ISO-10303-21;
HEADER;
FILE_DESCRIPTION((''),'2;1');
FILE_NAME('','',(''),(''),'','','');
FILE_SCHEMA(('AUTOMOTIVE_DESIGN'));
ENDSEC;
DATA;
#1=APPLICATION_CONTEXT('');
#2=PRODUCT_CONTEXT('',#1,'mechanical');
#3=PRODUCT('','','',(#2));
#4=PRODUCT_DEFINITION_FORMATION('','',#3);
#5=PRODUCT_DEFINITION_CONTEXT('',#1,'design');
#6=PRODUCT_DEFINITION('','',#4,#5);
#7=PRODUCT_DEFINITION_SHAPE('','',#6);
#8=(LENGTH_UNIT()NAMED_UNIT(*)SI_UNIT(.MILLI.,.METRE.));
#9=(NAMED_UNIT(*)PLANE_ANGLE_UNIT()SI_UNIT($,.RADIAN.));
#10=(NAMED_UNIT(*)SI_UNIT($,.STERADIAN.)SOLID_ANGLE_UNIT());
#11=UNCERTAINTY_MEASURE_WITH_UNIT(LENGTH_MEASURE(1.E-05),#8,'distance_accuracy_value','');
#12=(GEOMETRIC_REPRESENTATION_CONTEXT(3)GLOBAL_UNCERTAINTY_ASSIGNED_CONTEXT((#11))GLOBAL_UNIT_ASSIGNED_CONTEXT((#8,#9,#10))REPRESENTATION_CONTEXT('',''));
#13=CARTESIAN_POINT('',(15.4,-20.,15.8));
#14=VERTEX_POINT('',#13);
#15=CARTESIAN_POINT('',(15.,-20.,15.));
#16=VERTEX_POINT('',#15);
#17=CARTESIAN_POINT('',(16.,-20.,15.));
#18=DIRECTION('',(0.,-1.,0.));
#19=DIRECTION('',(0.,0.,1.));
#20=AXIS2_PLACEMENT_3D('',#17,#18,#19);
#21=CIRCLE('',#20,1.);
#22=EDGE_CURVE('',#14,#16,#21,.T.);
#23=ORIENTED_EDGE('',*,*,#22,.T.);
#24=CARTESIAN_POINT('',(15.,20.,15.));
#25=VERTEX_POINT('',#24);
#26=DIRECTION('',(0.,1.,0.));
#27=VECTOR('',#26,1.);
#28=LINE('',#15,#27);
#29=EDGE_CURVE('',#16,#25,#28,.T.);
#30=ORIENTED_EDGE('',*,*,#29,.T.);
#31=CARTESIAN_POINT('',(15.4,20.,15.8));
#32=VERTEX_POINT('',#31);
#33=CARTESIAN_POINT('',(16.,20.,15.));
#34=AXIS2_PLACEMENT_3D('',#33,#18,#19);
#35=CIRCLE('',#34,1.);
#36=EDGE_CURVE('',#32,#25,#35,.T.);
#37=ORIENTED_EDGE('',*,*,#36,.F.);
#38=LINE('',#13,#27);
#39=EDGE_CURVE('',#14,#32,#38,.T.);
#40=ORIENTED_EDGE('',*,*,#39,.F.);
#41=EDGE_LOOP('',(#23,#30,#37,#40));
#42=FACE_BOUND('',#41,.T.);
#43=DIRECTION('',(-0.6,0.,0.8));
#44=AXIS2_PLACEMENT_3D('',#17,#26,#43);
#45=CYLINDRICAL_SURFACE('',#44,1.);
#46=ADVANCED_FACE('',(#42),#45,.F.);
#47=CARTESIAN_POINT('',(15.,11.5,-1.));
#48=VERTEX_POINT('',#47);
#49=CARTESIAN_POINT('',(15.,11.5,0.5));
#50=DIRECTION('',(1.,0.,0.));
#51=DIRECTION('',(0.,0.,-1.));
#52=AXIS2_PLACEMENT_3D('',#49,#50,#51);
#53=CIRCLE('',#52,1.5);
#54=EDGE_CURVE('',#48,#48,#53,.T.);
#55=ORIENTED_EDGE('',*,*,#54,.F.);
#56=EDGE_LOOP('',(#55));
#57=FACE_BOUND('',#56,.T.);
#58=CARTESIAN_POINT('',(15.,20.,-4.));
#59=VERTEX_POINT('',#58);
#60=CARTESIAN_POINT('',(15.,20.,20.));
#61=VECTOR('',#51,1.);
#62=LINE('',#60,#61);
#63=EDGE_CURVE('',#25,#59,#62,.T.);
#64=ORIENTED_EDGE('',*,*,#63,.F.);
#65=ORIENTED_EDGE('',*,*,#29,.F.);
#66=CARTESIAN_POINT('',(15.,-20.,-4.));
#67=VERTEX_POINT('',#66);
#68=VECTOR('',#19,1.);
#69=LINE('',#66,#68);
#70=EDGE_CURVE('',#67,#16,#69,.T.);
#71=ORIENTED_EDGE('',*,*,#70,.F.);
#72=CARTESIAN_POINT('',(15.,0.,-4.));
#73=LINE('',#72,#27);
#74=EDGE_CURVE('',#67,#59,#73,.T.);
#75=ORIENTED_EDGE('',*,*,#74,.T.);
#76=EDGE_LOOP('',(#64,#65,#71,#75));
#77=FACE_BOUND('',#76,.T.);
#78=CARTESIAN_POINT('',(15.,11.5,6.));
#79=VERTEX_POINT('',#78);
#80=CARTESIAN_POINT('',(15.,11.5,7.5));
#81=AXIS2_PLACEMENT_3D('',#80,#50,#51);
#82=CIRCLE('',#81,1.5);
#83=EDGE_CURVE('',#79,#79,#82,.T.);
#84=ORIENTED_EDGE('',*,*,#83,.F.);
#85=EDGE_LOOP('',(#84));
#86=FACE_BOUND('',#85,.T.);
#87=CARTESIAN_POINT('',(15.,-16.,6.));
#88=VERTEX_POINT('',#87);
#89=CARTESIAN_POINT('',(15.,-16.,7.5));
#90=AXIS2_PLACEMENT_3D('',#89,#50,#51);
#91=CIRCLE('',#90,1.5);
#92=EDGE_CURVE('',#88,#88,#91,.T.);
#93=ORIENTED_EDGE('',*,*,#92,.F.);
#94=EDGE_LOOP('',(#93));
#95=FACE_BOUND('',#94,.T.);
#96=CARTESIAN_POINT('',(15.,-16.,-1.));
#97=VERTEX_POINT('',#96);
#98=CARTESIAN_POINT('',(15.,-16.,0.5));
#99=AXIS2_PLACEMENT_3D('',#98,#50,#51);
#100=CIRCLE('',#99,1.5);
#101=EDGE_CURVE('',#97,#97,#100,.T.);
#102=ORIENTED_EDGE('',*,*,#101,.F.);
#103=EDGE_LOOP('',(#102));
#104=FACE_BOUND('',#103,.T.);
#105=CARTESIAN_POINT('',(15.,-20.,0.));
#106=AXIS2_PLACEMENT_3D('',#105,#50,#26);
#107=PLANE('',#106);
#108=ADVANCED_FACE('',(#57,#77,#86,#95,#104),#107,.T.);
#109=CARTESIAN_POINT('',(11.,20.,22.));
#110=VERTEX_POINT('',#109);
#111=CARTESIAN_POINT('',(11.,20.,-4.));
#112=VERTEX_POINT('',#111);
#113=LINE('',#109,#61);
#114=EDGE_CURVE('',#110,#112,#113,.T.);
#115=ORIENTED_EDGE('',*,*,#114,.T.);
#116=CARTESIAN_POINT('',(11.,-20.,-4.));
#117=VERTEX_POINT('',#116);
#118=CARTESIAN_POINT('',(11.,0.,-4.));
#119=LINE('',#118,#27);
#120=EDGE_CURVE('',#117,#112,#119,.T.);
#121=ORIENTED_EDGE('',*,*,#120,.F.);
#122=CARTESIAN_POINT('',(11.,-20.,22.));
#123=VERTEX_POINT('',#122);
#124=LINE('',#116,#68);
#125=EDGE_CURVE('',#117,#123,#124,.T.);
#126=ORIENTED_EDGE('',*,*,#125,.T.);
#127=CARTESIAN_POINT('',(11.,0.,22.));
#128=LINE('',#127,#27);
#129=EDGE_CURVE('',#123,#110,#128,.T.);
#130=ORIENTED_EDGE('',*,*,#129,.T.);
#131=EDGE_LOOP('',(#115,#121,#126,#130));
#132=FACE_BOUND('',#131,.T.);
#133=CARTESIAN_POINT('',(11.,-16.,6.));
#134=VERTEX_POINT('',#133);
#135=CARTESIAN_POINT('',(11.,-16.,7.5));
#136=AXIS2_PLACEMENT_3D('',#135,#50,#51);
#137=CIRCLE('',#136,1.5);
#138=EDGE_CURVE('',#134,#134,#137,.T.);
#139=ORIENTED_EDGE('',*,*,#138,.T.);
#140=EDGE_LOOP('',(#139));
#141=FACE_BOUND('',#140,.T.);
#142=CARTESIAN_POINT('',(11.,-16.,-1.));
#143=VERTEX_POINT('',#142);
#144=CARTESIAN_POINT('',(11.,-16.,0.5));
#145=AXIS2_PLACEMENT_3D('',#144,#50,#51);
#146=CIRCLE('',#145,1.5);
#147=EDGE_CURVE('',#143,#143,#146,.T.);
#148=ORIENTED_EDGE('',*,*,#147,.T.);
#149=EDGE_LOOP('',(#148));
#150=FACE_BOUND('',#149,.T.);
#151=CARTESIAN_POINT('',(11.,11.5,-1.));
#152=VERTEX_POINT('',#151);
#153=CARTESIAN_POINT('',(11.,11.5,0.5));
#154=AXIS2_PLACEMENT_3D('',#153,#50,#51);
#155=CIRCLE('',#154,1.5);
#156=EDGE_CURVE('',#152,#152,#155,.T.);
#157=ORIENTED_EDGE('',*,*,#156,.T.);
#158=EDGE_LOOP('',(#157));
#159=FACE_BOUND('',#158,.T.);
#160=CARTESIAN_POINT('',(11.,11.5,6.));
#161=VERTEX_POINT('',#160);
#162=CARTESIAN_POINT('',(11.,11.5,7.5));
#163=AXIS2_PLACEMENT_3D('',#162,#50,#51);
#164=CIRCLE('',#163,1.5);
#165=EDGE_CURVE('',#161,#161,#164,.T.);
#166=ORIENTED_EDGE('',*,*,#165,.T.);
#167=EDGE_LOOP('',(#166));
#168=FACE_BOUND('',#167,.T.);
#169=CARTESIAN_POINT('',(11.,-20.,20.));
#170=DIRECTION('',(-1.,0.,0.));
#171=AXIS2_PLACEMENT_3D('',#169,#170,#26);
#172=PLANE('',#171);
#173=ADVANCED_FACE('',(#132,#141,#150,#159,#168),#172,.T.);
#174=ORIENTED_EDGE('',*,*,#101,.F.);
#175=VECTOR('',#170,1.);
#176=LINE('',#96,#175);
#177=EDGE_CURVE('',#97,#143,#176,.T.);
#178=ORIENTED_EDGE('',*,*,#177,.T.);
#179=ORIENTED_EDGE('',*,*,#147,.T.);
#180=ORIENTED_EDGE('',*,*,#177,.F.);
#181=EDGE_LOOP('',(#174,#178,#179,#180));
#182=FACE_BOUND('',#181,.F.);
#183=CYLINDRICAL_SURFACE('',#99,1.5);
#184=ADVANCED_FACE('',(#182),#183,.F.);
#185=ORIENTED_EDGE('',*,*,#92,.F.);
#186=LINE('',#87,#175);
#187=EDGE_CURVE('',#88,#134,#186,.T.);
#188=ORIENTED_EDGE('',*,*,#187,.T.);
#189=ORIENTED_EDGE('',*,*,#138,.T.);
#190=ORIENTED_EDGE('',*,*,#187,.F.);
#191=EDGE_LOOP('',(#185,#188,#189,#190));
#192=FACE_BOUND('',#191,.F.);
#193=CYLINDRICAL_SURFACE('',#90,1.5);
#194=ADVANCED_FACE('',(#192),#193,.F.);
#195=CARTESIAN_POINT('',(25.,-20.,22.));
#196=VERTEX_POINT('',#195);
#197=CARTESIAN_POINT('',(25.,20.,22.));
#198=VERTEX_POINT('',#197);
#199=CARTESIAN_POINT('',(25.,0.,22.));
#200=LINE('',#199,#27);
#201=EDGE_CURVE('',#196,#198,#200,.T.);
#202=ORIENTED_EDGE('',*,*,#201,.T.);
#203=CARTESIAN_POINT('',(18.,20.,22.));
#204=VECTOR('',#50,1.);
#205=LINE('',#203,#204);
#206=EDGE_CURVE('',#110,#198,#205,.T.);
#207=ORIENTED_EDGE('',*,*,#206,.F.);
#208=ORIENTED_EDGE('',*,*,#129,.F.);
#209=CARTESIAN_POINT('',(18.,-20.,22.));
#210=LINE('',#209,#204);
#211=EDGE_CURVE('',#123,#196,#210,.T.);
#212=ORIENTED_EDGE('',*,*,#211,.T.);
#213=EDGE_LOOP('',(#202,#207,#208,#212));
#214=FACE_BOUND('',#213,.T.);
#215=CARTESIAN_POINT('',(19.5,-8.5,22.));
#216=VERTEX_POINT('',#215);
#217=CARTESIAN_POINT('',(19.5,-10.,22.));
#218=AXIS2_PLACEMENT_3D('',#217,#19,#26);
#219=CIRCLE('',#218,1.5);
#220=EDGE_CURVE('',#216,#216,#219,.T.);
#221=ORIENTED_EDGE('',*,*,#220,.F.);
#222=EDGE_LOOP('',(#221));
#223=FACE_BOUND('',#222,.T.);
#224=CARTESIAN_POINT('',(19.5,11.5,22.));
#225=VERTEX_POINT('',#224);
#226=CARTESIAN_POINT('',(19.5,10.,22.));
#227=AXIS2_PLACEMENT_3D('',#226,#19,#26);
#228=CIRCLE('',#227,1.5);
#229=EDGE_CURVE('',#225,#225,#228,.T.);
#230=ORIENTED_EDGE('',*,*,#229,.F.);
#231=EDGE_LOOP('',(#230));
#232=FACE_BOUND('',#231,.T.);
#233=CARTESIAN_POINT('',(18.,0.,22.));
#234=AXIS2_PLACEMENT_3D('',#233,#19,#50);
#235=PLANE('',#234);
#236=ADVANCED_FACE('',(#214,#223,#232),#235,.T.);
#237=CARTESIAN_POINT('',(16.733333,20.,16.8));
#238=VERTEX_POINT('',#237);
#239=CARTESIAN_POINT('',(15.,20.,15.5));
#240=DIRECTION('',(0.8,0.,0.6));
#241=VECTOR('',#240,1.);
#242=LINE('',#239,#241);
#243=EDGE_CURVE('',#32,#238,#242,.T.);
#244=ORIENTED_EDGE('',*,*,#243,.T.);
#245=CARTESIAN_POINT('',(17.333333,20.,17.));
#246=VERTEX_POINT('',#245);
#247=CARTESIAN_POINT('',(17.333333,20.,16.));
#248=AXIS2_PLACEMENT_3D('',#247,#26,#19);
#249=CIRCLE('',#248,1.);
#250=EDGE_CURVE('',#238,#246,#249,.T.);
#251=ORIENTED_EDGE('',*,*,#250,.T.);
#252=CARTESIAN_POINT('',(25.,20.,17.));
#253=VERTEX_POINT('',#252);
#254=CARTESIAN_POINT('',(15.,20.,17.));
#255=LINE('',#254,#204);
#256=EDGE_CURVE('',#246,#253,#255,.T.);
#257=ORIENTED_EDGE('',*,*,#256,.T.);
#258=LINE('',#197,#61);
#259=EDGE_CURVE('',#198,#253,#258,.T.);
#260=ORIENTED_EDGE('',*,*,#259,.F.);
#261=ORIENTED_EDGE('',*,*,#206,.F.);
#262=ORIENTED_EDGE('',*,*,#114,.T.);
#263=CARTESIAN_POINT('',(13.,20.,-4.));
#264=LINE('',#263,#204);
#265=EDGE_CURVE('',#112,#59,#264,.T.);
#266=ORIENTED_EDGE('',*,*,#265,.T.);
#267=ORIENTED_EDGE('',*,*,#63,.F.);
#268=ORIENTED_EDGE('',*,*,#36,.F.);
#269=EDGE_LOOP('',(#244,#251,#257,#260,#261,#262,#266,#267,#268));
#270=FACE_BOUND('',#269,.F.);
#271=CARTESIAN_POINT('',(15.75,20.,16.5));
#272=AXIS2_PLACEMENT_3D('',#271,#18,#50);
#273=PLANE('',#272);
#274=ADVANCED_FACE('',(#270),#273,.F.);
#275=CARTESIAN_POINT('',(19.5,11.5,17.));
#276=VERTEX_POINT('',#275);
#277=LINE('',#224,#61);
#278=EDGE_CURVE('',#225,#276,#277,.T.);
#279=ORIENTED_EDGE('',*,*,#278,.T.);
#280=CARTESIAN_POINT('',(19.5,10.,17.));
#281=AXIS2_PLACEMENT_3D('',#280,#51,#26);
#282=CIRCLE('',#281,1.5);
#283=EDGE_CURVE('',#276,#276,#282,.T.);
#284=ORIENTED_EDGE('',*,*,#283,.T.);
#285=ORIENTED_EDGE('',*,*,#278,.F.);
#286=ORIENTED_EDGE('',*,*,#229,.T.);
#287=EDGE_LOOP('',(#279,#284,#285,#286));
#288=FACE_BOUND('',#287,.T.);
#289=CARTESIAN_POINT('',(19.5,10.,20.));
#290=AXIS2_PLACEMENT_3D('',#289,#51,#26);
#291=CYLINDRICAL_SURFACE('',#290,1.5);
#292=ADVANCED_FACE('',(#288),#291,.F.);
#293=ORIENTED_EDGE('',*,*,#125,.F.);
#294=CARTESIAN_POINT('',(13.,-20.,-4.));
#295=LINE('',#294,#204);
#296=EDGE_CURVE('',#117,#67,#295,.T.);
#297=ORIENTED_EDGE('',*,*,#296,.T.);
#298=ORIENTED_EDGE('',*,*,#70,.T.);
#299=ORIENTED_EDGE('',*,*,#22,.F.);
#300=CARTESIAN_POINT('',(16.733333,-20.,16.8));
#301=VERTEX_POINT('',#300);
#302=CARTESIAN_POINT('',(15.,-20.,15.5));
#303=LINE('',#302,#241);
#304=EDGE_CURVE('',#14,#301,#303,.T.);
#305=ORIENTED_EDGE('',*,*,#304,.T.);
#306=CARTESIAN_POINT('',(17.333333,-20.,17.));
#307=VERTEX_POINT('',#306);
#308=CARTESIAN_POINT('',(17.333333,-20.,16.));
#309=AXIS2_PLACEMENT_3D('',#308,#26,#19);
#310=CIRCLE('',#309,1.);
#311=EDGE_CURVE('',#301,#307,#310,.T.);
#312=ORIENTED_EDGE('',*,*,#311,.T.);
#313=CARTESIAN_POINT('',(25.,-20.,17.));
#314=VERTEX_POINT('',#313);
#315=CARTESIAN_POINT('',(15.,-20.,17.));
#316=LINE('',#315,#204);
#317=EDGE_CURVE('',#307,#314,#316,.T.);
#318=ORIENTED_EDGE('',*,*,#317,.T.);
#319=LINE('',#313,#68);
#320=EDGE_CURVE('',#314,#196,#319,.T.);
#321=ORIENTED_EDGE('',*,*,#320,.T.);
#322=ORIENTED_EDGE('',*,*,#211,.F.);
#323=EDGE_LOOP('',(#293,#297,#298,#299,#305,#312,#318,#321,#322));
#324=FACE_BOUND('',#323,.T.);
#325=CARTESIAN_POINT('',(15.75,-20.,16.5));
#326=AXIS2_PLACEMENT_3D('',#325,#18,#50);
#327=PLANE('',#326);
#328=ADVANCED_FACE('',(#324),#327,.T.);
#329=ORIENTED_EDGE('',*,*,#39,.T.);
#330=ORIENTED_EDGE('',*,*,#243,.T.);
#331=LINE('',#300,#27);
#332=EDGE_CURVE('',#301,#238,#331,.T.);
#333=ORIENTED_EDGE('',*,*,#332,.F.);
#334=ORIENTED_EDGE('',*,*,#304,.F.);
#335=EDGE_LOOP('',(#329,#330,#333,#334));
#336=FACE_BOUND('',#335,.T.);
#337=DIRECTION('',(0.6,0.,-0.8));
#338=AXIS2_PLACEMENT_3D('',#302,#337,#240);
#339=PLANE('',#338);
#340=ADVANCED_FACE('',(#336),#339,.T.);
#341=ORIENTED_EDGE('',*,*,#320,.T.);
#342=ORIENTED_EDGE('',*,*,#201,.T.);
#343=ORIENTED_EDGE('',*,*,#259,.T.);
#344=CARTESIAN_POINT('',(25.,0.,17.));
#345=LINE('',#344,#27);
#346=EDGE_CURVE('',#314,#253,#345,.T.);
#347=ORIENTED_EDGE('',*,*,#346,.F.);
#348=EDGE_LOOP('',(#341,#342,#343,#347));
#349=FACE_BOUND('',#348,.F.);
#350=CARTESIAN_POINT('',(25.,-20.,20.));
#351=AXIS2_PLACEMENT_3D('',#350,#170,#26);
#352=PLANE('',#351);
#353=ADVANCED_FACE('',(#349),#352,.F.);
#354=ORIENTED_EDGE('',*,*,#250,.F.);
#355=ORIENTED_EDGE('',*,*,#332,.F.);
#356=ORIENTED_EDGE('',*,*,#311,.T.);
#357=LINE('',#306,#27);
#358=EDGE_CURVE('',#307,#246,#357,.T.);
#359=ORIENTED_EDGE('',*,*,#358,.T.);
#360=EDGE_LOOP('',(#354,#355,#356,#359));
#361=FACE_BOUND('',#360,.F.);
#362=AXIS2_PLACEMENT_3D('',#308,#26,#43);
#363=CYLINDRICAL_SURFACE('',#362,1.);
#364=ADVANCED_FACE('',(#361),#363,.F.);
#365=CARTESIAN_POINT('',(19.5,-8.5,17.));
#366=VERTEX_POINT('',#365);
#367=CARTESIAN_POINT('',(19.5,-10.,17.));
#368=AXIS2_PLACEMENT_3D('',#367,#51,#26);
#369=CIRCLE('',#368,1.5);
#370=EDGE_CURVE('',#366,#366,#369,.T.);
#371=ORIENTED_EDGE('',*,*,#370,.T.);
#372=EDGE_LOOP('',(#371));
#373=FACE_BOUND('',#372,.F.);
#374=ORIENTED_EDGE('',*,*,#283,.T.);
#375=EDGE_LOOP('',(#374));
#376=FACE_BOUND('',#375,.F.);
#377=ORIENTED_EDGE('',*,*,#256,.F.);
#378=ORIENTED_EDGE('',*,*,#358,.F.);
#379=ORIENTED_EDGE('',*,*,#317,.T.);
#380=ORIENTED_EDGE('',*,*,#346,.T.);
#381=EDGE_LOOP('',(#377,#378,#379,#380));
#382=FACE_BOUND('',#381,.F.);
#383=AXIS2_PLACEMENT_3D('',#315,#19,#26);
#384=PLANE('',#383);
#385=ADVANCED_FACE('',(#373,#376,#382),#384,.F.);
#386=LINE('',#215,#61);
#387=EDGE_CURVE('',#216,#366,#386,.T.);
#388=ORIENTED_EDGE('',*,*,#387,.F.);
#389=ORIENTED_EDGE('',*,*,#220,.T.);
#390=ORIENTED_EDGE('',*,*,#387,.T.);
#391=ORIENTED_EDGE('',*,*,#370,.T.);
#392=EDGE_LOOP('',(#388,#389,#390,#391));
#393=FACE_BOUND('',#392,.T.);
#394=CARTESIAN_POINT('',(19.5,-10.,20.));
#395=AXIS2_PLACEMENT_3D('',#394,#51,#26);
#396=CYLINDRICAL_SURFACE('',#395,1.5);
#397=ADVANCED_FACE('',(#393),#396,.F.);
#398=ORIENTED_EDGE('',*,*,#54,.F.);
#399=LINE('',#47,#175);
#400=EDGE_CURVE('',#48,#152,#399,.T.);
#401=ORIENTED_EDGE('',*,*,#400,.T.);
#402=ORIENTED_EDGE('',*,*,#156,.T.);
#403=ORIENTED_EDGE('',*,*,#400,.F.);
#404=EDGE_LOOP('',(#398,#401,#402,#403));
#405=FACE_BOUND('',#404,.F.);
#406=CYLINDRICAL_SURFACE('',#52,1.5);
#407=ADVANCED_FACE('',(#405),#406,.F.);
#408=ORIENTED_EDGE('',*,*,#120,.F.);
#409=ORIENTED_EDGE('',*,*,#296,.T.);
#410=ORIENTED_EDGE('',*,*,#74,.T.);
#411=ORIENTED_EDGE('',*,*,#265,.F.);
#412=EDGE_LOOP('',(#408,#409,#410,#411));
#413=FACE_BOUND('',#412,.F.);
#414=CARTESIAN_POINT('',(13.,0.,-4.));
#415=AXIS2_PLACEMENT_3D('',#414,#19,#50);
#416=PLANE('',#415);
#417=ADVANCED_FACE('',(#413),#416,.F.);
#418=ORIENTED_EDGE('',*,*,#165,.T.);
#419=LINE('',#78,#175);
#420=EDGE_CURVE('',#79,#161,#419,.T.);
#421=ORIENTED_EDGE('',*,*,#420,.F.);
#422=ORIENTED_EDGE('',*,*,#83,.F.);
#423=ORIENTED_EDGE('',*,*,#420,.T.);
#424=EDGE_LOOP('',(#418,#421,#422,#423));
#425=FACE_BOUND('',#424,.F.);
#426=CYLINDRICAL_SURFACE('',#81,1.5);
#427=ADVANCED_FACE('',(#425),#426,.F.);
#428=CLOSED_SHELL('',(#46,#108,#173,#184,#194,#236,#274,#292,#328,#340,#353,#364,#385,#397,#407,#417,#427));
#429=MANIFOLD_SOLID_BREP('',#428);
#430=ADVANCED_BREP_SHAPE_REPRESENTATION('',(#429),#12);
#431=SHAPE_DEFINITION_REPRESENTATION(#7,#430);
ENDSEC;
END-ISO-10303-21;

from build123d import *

# Parameters (mm, degrees)
SKETCH1_W                = 4
SKETCH1_H                = 40
BOSS_EXTRUDE2_DEPTH      = 20
BOSS_EXTRUDE2_DEPTH_BACK = 4
SKETCH3_R                = 1.5
CUT_EXTRUDE1_DEPTH       = 29.565713714
SKETCH4_W                = 3
SKETCH4_H                = 40
BOSS_EXTRUDE3_DEPTH      = 10
SKETCH5_R                = 1.5
CUT_EXTRUDE2_DEPTH       = 39.288379438
SKETCH8_W                = 14
SKETCH8_H                = 40
SKETCH8_R                = 1.5
BOSS_EXTRUDE4_DEPTH      = 2
BOSS_EXTRUDE5_DEPTH      = 40
FILLET3_R                = 1


with BuildPart() as part:
    # Sketch1 → Boss-Extrude2 (new, two sides)
    with BuildSketch(Plane.XY) as boss_extrude2_sk:
        with Locations((13, 0)):
            Rectangle(SKETCH1_W, SKETCH1_H)
    extrude(amount=BOSS_EXTRUDE2_DEPTH)
    extrude(boss_extrude2_sk.sketch, amount=-BOSS_EXTRUDE2_DEPTH_BACK)

    # Sketch3 → Cut-Extrude1 (cut, through all)
    with BuildSketch(Plane(origin=(15, 0, 0), x_dir=(0, 0, -1), z_dir=(1, 0, 0))):
        with Locations((-7.5, -16)):
            Circle(SKETCH3_R)
        with Locations((-7.5, 11.5)):
            Circle(SKETCH3_R)
        with Locations((-0.5, 11.5)):
            Circle(SKETCH3_R)
        with Locations((-0.5, -16)):
            Circle(SKETCH3_R)
    extrude(amount=-CUT_EXTRUDE1_DEPTH, mode=Mode.SUBTRACT)

    # Sketch4 → Boss-Extrude3 (add)
    with BuildSketch(Plane(origin=(15, 0, 0), x_dir=(0, 0, -1), z_dir=(1, 0, 0))):
        with Locations((-18.5, 0)):
            Rectangle(SKETCH4_W, SKETCH4_H)
    extrude(amount=BOSS_EXTRUDE3_DEPTH)

    # Sketch5 → Cut-Extrude2 (cut, through all)
    with BuildSketch(Plane(origin=(0, 0, 17), x_dir=(-1, 0, 0), z_dir=(0, 0, -1))):
        with Locations(Location((-19.5, -10, 0), (0, 0, 90))):
            Circle(SKETCH5_R)
        with Locations(Location((-19.5, 10, 0), (0, 0, 90))):
            Circle(SKETCH5_R)
    extrude(amount=-CUT_EXTRUDE2_DEPTH, mode=Mode.SUBTRACT)

    # Sketch8 → Boss-Extrude4 (add)
    with BuildSketch(Plane.XY.offset(20)):
        with Locations((18, 0)):
            Rectangle(SKETCH8_W, SKETCH8_H)
        with Locations(Location((19.5, 10, 0), (0, 0, 90))):
            Circle(SKETCH8_R, mode=Mode.SUBTRACT)
        with Locations(Location((19.5, -10, 0), (0, 0, 90))):
            Circle(SKETCH8_R, mode=Mode.SUBTRACT)
    extrude(amount=BOSS_EXTRUDE4_DEPTH)

    # Sketch9 → Boss-Extrude5 (add)
    with BuildSketch(Plane.XZ.offset(20)):
        Polygon((17, 17), (15, 17), (15, 15.5), align=None)
    extrude(amount=-BOSS_EXTRUDE5_DEPTH)

    # Fillet3
    fillet3_edges = [part.edges().sort_by_distance(p)[0] for p in [
        (15, 0, 15.5),
        (17, 0, 17),
    ]]
    fillet(fillet3_edges, radius=FILLET3_R)


solid = part.part
